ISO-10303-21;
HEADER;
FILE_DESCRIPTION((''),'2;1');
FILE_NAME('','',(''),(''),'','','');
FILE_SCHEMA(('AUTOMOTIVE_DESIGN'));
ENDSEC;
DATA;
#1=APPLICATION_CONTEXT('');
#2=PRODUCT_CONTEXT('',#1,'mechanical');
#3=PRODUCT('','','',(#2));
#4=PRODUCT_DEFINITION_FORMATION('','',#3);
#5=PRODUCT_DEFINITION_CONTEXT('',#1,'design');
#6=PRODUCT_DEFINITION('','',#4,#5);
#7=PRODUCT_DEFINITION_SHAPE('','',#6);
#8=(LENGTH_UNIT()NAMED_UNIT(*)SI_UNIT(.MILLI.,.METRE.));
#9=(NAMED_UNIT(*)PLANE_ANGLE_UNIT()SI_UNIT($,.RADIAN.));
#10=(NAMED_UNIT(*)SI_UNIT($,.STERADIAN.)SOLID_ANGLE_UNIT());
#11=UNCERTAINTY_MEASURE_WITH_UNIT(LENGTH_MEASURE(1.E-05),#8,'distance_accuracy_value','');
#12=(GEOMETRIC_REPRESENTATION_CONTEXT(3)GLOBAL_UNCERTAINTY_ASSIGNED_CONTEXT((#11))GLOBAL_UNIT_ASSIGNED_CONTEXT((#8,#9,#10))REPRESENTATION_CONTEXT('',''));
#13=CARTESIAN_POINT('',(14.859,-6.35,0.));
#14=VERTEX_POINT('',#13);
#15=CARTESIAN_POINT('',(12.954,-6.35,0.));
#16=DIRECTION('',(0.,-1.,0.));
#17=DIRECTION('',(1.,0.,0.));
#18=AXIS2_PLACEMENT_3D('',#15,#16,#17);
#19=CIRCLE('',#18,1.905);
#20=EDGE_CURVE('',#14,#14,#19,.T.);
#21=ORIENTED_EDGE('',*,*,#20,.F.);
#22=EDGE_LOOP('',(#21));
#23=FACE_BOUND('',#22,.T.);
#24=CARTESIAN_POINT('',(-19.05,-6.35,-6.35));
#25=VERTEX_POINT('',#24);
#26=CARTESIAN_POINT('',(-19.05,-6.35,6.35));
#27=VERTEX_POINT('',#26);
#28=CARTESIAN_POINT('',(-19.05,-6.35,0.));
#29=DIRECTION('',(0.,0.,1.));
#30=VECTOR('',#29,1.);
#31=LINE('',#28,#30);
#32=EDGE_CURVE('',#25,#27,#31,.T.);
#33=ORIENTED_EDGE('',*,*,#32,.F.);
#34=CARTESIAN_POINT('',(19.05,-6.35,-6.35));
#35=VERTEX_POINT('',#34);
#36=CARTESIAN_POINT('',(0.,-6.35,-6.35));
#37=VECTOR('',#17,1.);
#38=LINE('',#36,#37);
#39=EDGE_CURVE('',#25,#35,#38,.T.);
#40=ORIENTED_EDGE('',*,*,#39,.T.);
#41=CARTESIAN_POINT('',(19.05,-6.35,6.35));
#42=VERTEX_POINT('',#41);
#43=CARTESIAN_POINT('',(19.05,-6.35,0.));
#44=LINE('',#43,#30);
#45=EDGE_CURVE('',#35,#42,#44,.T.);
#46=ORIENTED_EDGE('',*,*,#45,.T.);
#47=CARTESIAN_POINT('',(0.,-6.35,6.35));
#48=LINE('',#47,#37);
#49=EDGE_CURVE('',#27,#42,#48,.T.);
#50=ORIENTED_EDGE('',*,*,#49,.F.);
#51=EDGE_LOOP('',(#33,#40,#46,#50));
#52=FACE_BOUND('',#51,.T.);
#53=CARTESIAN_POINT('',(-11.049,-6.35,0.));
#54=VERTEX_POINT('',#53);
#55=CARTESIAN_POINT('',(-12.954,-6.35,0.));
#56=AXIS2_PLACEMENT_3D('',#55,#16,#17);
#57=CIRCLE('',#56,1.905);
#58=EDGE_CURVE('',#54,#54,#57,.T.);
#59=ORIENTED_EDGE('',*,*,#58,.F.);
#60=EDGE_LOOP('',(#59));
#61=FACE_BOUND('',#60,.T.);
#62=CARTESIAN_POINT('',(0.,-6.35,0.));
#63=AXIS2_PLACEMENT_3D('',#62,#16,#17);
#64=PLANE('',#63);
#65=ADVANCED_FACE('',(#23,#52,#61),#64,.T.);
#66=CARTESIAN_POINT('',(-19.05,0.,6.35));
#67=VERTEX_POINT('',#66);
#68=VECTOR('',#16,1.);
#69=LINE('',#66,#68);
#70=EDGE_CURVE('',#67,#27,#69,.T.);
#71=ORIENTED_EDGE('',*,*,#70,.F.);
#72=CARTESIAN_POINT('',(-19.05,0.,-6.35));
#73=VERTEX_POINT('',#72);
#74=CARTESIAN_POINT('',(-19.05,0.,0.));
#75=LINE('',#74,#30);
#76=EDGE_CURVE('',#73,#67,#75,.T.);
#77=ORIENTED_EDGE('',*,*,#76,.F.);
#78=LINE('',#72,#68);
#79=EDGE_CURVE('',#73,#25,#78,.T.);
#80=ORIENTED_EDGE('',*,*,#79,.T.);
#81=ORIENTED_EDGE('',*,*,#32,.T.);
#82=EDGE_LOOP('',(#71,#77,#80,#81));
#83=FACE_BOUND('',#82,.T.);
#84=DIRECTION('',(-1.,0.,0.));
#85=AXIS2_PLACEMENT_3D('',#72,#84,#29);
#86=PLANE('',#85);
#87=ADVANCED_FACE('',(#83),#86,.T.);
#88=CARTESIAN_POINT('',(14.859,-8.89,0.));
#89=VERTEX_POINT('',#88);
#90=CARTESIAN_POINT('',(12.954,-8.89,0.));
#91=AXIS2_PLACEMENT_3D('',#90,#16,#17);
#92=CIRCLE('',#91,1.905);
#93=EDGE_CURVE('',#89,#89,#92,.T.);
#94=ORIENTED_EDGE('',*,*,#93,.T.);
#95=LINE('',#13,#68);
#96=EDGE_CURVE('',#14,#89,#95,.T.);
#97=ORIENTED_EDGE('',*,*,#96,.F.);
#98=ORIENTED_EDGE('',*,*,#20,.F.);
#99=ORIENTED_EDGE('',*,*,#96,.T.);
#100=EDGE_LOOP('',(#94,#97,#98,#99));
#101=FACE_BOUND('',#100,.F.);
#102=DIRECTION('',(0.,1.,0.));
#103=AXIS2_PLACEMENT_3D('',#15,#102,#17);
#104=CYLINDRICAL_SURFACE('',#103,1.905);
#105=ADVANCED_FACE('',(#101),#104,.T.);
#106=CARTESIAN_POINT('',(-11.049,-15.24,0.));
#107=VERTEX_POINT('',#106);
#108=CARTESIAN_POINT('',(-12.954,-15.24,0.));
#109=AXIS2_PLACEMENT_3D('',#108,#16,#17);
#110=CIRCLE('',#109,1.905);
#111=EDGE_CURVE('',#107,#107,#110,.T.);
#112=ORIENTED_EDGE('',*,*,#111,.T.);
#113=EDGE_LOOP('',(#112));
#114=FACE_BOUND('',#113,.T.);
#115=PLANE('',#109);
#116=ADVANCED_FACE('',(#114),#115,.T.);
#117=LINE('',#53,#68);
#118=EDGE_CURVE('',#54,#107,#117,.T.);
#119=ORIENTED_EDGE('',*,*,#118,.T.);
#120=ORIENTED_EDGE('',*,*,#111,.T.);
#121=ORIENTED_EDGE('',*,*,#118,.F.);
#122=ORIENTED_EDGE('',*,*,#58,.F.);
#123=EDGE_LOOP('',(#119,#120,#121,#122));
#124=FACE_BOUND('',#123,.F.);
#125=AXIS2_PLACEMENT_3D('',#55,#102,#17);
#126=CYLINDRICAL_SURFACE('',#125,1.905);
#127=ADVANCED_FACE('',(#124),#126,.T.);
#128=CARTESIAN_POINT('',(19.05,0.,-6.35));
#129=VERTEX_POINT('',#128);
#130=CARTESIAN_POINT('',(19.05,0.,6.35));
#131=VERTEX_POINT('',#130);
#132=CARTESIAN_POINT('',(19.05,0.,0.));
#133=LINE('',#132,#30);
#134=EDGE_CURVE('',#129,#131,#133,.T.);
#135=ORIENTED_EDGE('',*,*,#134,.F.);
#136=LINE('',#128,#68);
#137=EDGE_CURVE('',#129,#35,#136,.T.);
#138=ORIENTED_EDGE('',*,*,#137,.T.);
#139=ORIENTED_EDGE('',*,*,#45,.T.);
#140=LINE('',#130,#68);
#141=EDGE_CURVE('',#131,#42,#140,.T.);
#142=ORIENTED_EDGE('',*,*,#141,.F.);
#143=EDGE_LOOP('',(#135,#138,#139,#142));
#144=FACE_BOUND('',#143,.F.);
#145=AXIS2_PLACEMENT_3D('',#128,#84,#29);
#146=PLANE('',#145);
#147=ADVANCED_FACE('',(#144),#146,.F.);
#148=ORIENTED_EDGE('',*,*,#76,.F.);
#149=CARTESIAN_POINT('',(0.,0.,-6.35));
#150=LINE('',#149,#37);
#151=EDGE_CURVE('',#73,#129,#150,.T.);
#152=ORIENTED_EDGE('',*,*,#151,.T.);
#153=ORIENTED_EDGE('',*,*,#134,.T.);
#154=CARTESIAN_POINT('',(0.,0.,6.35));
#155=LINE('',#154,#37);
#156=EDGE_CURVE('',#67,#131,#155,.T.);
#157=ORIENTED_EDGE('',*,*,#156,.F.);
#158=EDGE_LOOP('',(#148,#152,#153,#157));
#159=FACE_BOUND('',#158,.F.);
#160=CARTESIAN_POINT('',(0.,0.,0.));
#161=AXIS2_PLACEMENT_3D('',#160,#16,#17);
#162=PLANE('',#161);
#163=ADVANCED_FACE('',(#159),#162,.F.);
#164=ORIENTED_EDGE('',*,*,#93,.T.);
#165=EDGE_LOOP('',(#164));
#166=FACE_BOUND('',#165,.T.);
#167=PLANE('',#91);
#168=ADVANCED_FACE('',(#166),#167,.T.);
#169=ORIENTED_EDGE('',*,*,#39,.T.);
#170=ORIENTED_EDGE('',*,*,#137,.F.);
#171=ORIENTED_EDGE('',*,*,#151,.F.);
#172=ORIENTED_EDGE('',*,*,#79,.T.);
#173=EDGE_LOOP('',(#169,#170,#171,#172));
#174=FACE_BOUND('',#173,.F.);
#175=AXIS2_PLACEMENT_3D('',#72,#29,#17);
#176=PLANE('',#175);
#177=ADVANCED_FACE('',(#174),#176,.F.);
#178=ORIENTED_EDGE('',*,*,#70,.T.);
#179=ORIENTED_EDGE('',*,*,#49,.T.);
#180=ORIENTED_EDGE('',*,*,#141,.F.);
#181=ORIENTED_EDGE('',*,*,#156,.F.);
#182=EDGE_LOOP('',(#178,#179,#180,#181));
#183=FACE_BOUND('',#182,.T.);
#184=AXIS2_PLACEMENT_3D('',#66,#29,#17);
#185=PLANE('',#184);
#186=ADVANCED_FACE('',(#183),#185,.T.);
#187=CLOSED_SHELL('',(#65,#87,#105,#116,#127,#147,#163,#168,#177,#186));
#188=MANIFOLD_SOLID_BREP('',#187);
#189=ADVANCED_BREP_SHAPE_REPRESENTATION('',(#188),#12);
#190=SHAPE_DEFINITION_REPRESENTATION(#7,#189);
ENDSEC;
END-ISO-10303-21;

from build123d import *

# Parameters (mm, degrees)
F0_W     = 38.1
F0_H     = 12.7
F1_DEPTH = 6.35
F2_R     = 1.905
F3_DEPTH = 8.89
F4_R     = 1.905
F5_DEPTH = 2.54


with BuildPart() as f1:
    # F0 (on Front) → F1 (new body)
    with BuildSketch(Plane.XZ):
        Rectangle(F0_W, F0_H)
    extrude(amount=F1_DEPTH)

    # F2 (on face) → F3 (join)
    with BuildSketch(Plane.XZ.offset(6.35)):
        with Locations((-12.954, 0)):
            Circle(F2_R)
    extrude(amount=F3_DEPTH)

    # F4 (on face) → F5 (join)
    with BuildSketch(Plane.XZ.offset(6.35)):
        with Locations((12.954, 0)):
            Circle(F4_R)
    extrude(amount=F5_DEPTH)


solid = f1.part
